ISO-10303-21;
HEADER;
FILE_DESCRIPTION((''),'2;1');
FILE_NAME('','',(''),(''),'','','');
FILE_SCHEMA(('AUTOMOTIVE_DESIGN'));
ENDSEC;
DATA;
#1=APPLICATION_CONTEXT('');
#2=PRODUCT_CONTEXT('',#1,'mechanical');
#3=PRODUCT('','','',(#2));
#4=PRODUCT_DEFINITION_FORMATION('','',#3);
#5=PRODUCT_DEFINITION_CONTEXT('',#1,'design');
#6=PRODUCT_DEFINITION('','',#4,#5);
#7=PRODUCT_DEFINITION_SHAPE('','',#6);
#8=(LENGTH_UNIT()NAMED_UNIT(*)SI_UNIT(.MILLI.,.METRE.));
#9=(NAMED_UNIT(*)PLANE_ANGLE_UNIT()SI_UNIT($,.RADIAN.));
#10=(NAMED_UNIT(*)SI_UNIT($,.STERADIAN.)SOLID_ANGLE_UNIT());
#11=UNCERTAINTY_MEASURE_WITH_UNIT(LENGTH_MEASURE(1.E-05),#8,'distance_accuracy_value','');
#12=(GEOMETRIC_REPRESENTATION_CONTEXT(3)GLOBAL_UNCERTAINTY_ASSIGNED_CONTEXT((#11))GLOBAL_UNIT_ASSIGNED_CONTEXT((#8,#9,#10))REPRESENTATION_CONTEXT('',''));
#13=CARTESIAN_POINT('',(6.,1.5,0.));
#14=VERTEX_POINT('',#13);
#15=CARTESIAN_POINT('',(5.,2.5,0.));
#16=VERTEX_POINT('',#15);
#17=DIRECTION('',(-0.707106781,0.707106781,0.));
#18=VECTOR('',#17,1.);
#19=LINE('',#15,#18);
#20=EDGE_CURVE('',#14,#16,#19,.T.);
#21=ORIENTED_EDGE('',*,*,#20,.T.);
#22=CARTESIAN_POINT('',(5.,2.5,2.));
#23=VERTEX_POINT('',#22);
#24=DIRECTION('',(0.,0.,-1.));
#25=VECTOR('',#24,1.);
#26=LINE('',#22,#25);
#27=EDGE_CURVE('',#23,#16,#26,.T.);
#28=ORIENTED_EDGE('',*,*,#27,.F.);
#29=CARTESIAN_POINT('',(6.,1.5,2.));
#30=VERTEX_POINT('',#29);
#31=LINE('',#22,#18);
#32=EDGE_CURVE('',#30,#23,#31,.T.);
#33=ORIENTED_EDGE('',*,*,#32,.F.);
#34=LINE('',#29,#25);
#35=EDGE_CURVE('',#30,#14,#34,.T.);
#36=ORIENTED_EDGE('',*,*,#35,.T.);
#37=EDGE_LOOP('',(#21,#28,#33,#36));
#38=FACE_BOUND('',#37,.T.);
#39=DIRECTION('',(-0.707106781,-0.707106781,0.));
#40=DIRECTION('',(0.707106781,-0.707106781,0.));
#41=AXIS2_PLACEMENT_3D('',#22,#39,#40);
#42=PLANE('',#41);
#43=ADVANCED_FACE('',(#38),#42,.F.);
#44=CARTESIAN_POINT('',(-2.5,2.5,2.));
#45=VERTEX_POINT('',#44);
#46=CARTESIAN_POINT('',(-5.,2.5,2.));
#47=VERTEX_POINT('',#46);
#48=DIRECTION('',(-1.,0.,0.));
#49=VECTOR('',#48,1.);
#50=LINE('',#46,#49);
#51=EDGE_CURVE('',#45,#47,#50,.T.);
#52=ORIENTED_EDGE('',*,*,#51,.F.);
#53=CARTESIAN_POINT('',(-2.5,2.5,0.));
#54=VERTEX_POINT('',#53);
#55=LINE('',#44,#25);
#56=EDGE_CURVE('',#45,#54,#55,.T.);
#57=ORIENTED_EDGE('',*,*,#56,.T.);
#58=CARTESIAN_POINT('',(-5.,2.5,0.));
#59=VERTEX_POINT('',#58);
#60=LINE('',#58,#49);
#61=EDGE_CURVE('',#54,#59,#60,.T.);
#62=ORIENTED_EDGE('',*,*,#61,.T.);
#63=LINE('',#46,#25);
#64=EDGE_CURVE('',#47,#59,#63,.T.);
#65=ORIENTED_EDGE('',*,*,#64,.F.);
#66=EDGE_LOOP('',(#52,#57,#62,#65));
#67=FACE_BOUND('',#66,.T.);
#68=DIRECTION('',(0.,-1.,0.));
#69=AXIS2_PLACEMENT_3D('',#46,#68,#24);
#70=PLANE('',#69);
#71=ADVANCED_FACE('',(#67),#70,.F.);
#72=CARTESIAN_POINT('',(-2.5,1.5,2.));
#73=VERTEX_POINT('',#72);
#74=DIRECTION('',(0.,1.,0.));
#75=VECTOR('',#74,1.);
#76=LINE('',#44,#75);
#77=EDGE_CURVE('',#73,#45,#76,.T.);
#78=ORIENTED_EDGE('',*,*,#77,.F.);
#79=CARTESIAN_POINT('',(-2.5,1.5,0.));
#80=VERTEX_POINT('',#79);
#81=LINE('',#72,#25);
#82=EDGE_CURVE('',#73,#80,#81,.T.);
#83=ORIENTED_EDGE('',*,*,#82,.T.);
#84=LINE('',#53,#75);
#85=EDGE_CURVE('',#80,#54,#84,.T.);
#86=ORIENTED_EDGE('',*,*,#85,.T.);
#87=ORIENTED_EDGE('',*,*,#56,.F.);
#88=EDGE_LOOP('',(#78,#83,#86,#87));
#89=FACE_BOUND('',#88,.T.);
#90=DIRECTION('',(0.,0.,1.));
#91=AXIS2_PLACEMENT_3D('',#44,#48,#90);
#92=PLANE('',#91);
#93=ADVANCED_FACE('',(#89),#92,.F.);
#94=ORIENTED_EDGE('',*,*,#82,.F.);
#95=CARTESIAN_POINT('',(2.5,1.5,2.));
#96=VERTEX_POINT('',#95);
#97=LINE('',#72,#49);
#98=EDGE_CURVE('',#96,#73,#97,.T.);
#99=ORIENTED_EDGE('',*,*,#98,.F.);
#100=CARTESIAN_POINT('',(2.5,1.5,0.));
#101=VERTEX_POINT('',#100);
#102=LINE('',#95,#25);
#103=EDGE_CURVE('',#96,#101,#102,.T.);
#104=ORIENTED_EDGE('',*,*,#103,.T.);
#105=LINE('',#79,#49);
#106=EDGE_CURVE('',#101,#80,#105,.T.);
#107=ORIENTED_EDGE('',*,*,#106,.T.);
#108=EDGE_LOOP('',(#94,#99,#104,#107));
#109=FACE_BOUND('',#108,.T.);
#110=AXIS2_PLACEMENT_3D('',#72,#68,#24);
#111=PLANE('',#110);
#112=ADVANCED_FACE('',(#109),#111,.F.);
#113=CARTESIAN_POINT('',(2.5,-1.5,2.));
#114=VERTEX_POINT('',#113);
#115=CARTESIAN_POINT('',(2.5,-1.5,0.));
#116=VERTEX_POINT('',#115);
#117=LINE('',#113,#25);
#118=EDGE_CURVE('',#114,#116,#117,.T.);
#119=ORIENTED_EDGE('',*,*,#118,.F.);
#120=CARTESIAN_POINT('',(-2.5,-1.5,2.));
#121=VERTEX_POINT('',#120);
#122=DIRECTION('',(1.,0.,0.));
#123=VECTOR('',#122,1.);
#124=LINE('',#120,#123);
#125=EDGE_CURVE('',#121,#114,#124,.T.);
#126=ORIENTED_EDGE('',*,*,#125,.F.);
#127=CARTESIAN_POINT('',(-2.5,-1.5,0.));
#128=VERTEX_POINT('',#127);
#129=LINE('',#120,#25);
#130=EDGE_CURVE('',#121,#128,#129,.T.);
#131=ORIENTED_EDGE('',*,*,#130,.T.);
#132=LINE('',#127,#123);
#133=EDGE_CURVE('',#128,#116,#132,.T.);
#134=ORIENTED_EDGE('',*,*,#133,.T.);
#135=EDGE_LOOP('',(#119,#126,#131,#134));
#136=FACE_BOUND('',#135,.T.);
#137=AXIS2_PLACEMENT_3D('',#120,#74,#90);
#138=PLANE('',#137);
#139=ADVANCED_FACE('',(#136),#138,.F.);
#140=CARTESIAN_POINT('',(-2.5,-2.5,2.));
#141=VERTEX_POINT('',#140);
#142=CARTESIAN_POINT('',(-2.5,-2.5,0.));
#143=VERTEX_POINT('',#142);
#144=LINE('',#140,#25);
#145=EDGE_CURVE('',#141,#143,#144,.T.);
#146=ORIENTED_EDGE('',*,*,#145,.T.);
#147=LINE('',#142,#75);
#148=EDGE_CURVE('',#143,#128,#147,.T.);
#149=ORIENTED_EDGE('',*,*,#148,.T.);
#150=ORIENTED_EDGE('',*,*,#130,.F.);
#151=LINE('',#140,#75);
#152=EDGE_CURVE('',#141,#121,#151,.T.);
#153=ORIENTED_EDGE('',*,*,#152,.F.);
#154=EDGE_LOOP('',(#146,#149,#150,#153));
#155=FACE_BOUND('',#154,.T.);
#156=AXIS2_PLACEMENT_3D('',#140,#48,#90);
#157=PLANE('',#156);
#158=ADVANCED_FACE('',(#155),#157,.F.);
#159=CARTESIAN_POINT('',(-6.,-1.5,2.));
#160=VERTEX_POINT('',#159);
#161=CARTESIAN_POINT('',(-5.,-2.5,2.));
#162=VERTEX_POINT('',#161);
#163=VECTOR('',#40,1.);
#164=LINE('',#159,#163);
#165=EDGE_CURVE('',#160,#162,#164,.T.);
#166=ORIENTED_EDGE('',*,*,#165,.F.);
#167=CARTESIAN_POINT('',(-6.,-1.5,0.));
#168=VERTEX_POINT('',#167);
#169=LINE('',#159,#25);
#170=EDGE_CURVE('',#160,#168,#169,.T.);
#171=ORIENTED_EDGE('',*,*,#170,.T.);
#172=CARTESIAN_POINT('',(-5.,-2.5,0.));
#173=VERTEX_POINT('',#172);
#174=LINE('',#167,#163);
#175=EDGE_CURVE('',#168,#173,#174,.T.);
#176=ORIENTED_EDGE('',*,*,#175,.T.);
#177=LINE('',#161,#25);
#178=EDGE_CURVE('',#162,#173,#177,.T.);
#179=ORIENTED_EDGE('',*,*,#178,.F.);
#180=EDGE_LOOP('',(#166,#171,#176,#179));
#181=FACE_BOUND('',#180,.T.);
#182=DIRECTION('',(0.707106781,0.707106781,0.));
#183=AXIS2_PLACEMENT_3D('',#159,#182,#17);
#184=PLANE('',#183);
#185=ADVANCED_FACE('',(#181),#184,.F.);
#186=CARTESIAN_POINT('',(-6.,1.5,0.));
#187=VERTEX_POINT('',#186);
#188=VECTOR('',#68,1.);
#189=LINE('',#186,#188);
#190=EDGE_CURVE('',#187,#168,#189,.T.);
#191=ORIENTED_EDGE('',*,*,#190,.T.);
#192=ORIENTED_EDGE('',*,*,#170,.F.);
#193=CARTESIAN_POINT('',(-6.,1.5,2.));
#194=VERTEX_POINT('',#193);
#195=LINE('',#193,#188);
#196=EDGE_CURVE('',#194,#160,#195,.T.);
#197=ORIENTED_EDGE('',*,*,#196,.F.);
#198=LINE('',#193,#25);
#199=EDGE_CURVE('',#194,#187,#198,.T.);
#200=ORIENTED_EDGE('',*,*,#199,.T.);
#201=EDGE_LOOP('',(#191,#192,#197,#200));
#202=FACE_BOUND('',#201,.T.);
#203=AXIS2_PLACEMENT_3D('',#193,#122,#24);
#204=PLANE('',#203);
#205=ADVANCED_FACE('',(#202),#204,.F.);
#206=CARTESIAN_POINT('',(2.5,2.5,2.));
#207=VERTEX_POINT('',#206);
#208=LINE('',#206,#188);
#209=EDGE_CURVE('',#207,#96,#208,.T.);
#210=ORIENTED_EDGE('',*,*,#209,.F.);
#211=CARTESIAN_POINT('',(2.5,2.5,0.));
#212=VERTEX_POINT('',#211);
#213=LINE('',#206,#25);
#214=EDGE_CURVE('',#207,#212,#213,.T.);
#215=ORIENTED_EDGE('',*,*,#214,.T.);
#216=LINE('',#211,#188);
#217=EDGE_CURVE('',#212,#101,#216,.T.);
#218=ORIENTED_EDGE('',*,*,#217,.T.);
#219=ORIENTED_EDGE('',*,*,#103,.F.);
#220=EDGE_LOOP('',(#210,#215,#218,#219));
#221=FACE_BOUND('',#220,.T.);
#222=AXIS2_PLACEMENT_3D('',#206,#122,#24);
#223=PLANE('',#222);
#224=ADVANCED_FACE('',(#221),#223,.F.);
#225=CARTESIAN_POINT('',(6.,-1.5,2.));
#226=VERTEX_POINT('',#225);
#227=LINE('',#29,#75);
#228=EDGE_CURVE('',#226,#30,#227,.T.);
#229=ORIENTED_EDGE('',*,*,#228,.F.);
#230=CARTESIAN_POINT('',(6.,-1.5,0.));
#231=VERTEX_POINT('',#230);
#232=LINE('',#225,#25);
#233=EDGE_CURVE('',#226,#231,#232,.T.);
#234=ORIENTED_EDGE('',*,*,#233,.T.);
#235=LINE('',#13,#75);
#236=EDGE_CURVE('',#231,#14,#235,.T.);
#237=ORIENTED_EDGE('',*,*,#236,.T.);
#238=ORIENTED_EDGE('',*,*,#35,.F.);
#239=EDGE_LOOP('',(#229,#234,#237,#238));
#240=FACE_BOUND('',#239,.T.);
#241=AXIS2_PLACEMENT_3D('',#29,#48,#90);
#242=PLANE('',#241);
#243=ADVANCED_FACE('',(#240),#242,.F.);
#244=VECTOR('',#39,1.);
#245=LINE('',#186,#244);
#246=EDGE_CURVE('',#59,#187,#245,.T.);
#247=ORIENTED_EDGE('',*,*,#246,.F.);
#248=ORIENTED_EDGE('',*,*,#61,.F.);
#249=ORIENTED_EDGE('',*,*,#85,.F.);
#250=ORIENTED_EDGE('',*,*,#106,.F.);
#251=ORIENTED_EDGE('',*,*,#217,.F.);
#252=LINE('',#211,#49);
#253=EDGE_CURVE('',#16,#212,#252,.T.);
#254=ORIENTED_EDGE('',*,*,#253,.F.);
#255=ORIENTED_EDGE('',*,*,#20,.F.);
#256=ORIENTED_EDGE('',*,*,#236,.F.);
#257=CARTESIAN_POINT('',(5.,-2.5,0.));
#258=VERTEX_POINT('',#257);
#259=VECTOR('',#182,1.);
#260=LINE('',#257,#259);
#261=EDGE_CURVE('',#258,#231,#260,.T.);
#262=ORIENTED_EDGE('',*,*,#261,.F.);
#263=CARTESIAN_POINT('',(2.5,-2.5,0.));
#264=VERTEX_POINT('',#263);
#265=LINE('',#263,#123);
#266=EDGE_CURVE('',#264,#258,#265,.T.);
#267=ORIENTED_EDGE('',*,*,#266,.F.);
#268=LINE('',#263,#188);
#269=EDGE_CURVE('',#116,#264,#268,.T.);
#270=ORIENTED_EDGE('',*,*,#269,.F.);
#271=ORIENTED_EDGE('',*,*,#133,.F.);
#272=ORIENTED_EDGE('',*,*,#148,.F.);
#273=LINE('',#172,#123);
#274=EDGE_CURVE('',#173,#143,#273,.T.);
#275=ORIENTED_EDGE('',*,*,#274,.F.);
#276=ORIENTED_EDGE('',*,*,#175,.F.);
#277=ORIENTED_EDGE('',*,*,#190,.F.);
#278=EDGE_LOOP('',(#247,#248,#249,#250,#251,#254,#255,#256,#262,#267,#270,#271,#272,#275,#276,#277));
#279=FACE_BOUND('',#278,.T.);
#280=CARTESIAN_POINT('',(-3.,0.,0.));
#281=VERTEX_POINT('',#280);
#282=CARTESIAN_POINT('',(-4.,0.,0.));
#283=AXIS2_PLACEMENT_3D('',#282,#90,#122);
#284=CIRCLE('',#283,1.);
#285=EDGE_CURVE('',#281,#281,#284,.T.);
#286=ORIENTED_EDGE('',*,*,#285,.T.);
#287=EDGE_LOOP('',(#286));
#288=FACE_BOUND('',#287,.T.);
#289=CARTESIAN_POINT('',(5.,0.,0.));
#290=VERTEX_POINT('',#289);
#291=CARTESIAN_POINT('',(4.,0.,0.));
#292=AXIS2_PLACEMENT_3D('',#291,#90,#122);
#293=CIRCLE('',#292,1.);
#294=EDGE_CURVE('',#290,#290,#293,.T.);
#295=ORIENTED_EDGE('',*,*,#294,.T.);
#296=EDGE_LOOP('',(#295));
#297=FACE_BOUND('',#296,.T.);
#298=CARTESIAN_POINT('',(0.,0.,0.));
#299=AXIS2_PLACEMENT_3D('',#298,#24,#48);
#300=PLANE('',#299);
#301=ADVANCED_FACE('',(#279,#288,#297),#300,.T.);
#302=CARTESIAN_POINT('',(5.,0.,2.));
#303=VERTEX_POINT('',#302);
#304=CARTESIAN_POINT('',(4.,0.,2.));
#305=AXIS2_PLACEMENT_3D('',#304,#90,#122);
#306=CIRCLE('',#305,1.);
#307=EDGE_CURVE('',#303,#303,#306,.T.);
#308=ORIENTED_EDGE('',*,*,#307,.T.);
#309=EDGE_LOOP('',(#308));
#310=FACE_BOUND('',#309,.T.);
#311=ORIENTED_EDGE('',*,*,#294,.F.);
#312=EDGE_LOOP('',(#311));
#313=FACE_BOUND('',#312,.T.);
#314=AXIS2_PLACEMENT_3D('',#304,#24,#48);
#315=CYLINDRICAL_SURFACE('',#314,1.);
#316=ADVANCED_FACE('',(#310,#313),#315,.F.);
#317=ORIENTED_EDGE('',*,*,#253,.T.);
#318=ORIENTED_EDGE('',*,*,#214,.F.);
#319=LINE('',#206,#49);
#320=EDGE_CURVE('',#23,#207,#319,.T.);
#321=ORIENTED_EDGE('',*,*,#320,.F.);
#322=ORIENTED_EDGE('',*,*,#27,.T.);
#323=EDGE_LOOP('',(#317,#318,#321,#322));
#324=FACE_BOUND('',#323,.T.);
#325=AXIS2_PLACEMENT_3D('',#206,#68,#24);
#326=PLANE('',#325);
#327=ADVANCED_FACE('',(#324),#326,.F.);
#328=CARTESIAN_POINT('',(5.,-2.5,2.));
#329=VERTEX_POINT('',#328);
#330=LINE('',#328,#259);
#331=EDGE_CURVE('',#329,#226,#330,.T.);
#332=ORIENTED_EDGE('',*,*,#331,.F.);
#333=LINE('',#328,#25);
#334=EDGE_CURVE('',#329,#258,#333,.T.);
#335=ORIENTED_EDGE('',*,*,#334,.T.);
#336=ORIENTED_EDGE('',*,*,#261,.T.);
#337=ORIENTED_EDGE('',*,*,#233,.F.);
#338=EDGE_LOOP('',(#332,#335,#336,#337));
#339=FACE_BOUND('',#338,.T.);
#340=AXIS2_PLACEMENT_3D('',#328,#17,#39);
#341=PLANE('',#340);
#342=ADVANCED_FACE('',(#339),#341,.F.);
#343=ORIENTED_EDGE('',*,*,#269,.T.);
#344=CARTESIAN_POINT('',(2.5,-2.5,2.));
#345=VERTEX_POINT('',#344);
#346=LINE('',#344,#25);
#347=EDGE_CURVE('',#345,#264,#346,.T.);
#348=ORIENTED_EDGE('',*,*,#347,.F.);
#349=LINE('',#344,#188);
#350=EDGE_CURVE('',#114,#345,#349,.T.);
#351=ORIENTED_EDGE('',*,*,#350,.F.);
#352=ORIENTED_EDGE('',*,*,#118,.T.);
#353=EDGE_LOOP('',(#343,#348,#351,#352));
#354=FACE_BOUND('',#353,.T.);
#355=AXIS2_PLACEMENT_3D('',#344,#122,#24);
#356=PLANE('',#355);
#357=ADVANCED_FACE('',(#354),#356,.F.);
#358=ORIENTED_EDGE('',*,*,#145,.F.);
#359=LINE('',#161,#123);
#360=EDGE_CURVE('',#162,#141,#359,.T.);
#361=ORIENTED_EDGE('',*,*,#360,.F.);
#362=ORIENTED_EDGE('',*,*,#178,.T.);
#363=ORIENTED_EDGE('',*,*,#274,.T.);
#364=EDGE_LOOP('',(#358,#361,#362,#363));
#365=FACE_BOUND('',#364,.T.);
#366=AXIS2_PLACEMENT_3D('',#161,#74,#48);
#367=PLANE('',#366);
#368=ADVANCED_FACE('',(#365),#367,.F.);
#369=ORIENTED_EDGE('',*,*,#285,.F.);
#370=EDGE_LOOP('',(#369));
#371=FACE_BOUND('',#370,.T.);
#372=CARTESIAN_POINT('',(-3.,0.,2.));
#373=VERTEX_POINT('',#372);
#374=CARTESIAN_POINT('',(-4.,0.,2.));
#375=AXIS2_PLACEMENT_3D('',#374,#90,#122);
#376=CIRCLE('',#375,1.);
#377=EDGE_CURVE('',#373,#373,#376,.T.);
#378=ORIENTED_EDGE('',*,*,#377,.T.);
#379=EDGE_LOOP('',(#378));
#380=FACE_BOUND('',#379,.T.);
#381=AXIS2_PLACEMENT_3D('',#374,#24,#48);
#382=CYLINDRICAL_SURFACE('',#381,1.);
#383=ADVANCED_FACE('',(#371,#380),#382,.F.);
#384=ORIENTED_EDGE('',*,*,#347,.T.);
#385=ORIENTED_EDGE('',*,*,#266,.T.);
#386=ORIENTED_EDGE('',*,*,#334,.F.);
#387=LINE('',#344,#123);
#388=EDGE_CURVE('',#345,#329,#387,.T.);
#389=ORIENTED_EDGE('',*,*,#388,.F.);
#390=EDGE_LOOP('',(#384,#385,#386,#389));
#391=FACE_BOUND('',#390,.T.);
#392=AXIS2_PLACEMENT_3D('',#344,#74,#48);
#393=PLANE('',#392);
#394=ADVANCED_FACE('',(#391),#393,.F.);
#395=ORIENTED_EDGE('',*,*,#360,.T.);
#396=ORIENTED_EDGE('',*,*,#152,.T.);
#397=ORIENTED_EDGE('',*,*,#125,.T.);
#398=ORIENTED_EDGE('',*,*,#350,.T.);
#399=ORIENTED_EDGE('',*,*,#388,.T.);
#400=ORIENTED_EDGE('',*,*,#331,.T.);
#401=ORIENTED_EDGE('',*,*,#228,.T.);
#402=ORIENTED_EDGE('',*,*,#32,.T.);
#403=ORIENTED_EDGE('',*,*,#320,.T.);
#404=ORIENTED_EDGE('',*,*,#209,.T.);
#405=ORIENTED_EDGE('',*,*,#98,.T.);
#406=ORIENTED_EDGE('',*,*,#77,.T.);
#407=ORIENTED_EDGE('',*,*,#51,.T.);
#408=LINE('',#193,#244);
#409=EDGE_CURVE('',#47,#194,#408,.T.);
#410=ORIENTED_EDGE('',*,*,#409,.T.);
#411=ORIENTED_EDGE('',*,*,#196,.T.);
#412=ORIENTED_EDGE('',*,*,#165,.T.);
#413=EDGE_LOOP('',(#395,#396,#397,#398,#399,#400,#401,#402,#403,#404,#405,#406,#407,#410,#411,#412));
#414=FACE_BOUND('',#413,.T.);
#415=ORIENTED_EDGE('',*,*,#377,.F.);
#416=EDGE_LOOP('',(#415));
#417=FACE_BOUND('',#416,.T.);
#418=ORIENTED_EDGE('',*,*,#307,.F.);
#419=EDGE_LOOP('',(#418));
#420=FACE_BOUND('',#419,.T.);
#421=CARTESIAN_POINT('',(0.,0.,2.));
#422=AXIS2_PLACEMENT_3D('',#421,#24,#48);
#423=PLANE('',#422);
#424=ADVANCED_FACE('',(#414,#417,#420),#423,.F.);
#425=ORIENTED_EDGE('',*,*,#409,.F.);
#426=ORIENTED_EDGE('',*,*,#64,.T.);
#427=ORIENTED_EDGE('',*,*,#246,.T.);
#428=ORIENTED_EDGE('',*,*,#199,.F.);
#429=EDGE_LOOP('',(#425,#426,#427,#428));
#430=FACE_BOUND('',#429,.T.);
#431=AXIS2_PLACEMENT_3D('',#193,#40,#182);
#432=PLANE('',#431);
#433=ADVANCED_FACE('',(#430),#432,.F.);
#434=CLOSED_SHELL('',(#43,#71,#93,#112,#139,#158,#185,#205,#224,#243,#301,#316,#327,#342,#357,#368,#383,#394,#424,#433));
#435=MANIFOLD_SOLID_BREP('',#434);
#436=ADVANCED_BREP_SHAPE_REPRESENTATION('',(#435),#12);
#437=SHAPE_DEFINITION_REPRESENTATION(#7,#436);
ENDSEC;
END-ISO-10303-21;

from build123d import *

# Parameters (mm, degrees)
SKETCH_1_R      = 1
EXTRUDE_1_DEPTH = 2


with BuildPart() as part:
    # 草图1 → 凸台-拉伸1 (new body)
    with BuildSketch(Plane.XY):
        Polygon((-2.5, 2.5), (-2.5, 1.5), (2.5, 1.5), (2.5, 2.5), (5, 2.5), (6, 1.5), (6, -1.5), (5, -2.5), (2.5, -2.5), (2.5, -1.5), (-2.5, -1.5), (-2.5, -2.5), (-5, -2.5), (-6, -1.5), (-6, 1.5), (-5, 2.5), align=None)
        with Locations((-4, 0)):
            Circle(SKETCH_1_R, mode=Mode.SUBTRACT)
        with Locations((4, 0)):
            Circle(SKETCH_1_R, mode=Mode.SUBTRACT)
    extrude(amount=EXTRUDE_1_DEPTH)


solid = part.part
